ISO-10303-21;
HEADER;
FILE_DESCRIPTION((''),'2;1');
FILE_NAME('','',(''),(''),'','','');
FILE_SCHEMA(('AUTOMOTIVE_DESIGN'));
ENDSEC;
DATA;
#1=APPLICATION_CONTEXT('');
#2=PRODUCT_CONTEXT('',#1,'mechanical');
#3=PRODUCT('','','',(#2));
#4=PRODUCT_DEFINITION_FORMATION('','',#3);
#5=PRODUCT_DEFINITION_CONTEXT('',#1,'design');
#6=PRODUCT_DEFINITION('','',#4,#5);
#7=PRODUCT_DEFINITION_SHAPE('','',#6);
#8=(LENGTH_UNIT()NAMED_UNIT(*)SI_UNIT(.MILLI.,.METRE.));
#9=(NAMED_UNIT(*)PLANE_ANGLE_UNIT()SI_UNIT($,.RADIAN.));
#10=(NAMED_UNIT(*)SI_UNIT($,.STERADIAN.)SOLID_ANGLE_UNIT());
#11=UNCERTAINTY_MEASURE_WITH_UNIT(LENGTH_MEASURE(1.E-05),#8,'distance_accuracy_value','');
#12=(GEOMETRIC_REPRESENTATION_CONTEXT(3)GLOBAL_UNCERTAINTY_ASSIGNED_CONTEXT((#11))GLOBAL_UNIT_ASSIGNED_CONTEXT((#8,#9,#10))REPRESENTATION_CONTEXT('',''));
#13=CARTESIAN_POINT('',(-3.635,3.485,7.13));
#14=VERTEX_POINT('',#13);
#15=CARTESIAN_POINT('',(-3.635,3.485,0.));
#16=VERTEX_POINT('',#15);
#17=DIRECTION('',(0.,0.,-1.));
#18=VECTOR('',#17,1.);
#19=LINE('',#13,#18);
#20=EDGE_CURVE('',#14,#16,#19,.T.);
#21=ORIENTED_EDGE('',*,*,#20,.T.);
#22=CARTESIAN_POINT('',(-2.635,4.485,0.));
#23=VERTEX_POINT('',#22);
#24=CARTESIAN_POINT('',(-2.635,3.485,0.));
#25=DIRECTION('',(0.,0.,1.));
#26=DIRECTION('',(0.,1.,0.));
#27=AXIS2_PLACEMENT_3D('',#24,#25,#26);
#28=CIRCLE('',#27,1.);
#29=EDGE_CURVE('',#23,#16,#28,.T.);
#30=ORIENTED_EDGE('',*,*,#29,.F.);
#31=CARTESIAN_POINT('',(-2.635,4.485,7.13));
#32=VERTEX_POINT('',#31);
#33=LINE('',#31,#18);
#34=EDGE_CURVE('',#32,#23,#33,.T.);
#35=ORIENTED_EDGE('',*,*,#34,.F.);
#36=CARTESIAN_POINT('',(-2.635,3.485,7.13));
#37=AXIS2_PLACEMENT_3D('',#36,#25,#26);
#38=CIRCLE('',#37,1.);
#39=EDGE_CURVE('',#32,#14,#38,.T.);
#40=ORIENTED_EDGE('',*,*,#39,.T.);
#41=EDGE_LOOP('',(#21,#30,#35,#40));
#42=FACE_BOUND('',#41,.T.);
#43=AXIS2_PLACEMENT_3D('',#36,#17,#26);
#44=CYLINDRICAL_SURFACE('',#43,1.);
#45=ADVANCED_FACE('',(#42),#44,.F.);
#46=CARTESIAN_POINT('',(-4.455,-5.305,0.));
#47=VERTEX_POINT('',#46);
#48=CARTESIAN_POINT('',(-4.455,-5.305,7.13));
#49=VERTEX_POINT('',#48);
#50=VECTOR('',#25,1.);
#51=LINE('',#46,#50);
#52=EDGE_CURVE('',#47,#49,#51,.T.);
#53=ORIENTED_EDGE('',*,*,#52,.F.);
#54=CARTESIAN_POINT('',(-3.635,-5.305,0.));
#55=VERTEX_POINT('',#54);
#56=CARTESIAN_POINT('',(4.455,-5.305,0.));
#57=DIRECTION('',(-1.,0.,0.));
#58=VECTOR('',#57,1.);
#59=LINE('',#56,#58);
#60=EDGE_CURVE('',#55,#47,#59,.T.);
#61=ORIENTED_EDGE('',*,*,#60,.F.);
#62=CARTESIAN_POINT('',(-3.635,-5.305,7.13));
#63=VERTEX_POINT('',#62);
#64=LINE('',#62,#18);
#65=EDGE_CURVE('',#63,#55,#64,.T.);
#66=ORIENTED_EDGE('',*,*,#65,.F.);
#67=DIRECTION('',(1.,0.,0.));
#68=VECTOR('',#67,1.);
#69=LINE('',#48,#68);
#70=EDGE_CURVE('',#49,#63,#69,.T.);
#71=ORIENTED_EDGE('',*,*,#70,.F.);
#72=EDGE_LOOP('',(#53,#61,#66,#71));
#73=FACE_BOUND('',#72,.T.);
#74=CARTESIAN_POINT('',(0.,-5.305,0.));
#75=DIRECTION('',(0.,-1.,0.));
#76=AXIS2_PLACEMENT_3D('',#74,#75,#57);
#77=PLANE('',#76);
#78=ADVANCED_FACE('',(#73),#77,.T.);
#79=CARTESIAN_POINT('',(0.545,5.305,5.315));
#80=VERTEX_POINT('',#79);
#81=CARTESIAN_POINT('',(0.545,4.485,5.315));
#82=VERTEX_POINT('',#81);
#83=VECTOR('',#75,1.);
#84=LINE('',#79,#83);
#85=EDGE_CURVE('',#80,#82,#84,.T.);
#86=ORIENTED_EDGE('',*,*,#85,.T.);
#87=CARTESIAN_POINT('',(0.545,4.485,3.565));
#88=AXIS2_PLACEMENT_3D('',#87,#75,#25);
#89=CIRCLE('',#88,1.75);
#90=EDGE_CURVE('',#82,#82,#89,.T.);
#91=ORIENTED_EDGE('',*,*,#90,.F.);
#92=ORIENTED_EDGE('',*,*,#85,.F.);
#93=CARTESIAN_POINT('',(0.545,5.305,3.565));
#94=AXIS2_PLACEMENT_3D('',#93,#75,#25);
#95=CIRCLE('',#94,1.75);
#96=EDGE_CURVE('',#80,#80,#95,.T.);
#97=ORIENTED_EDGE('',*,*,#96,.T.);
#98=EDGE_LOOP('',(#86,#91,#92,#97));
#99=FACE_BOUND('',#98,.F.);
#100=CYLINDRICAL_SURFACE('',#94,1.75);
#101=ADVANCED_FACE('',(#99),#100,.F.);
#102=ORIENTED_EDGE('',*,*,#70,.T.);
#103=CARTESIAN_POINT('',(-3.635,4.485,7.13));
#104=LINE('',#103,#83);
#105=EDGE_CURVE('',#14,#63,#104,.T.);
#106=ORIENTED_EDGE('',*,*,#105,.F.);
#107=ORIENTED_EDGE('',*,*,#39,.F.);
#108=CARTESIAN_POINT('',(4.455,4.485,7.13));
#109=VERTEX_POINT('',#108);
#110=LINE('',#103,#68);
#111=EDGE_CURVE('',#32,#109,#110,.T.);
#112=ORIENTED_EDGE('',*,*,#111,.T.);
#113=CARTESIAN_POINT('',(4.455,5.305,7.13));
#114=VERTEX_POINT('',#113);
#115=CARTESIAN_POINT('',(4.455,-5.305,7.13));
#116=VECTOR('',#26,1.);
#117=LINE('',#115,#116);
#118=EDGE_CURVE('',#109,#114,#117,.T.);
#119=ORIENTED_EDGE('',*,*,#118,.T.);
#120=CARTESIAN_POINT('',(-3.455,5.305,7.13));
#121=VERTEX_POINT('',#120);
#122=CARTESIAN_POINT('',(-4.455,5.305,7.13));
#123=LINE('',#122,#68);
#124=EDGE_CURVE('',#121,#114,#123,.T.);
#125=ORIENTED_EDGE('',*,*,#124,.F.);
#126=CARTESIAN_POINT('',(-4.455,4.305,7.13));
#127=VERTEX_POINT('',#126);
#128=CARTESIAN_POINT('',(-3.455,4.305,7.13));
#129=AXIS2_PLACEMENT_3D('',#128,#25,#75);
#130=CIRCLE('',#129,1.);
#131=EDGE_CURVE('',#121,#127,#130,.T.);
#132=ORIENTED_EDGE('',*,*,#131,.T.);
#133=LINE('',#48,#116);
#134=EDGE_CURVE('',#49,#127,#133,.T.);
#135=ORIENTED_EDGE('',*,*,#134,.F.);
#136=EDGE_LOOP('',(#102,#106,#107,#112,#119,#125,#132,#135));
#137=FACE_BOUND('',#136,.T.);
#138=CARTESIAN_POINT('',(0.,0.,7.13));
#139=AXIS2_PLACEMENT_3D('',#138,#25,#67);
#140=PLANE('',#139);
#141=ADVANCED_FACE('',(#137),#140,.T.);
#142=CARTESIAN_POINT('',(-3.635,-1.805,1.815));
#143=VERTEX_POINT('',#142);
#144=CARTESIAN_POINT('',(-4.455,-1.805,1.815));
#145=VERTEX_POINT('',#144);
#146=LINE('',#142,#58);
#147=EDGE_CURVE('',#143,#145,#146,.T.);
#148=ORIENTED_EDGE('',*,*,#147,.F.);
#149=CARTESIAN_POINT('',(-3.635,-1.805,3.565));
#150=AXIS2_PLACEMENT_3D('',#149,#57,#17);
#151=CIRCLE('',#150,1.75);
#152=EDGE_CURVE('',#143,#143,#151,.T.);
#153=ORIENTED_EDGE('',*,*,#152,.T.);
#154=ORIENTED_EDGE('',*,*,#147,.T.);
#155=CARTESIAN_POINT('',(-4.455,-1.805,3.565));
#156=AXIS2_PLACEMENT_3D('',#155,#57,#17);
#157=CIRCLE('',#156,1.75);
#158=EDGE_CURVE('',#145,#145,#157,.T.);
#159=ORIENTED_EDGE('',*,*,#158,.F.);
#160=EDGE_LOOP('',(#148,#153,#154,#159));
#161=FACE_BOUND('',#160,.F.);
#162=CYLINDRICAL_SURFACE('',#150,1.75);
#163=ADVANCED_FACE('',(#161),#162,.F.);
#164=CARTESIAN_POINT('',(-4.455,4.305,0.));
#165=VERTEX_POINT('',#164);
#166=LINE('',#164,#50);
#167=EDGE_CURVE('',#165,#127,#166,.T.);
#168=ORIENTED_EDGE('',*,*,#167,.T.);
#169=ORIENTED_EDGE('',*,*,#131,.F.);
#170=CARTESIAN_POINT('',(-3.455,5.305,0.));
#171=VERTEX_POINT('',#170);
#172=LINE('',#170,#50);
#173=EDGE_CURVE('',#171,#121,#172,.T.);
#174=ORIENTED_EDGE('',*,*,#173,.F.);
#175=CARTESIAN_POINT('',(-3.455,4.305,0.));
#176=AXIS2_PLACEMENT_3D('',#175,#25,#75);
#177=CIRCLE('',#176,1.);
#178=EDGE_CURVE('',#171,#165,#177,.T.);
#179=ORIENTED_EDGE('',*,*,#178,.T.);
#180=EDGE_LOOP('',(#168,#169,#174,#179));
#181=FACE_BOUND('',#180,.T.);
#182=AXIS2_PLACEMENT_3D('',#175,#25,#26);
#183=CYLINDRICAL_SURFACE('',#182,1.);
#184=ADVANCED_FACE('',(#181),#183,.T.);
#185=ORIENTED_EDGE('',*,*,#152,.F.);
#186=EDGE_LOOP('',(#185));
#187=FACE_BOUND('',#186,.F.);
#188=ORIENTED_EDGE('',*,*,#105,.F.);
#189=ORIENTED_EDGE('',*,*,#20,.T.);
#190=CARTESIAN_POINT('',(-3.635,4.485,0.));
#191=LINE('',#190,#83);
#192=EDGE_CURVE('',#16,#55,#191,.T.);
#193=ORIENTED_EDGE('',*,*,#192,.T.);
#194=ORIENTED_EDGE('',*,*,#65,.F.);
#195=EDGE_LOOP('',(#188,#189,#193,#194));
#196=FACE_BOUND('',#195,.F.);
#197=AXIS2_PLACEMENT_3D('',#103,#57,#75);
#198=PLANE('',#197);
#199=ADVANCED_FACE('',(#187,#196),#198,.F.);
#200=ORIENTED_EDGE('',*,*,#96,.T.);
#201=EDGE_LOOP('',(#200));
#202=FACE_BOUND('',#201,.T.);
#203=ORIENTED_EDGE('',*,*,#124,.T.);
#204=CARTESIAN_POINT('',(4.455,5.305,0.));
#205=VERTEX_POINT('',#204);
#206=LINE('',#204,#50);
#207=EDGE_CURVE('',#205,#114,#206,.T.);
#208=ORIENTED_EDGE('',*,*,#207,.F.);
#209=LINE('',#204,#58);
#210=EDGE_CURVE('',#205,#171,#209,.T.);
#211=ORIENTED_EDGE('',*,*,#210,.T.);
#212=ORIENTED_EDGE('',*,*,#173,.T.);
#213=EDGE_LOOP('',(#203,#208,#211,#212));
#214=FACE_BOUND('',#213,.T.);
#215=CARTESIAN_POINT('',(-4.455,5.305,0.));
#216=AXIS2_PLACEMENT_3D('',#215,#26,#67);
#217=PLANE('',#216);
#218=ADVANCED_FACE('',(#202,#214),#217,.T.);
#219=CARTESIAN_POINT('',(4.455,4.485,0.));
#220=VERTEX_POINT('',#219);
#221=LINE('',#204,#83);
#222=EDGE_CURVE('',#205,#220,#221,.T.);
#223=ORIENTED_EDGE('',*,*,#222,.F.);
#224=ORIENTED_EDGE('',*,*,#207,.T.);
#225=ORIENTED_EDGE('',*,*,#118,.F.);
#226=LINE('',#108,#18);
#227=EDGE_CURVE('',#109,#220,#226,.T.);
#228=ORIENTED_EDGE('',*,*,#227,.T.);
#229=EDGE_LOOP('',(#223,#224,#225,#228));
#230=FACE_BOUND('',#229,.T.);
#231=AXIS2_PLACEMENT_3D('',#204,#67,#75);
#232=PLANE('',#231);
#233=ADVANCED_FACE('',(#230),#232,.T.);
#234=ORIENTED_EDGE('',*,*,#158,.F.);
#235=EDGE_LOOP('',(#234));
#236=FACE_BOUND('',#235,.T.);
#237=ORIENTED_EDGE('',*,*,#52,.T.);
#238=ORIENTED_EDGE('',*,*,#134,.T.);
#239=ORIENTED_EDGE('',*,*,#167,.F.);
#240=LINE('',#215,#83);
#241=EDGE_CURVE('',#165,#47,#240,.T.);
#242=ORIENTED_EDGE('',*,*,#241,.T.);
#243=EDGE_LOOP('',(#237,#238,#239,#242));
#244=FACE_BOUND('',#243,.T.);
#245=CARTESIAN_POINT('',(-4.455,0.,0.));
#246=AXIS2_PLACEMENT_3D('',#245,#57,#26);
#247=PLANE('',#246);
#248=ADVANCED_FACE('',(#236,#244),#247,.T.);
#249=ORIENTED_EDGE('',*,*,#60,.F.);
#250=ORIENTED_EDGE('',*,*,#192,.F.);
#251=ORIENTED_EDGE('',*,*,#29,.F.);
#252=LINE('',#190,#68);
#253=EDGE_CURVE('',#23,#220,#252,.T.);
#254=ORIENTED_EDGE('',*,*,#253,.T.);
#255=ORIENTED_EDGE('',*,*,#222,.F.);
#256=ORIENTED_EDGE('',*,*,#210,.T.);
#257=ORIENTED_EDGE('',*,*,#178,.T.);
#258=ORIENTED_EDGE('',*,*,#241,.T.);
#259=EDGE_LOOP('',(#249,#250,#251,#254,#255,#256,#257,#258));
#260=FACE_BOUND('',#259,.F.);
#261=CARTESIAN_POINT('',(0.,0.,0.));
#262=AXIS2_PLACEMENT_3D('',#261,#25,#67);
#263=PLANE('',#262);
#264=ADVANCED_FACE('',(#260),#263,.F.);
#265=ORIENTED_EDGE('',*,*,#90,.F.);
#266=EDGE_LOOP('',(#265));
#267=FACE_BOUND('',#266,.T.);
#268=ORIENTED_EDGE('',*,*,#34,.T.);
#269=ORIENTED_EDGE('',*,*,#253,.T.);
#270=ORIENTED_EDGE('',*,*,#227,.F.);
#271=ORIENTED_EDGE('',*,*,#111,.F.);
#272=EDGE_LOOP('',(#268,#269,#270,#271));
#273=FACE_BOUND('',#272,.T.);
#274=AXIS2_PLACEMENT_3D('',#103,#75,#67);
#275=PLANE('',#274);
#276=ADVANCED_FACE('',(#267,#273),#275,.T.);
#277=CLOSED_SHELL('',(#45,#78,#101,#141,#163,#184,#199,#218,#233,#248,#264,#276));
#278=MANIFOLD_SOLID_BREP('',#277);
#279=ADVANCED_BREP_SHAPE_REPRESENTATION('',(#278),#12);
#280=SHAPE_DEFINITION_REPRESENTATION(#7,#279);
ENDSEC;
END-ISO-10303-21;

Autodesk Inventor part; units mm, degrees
ref_plane "YZ Plane" through (0, 0, 0) normal (1, 0, 0) x (0, 1, 0)
ref_plane "XZ Plane" through (0, 0, 0) normal (0, 1, 0) x (-1, 0, 0)
ref_plane "XY Plane" through (0, 0, 0) normal (0, 0, 1) x (1, 0, 0)
sketch "Sketch1" plane through (0, 0, 0) normal (0, 0, 1) x (1, 0, 0)
  line L0 (-4.455, 5.305) -> (4.455, 5.305)
  line L1 (4.455, 5.305) -> (4.455, -5.305)
  line L2 (4.455, -5.305) -> (-4.455, -5.305)
  line L3 (-4.455, -5.305) -> (-4.455, 5.305)
  line L4 (-6.237, 0) -> (6.237, 0) projected
  line L5 (0, -7.427) -> (0, 7.427) projected
  point P0 (0, 0)
  dimension "d0" = 8.91
  dimension "d1" = 10.61
  dimension "d2" = 4.455
  dimension "d3" = 5.305
extrude "BraketBase" add sketch "Sketch1" along normal blind 7.13
sketch "Sketch2" plane through (0, 0, 7.13) normal (0, 0, 1) x (1, 0, 0)
  line L0 (4.455, 5.305) -> (-4.455, 5.305) projected
  line L1 (-4.455, 5.305) -> (-4.455, -5.305) projected
  line L2 (-4.455, -5.305) -> (4.455, -5.305) projected
  line L3 (4.455, -5.305) -> (4.455, 5.305) projected
  line L4 (-3.635, 4.485) -> (4.455, 4.485)
  line L5 (-3.635, 4.485) -> (-3.635, -5.305)
  line L6 (-4.455, -5.305) -> (4.455, -5.305) projected
  line L7 (-3.635, 4.485) -> (4.455, 4.485)
  line L8 (4.455, 4.485) -> (4.455, -5.305)
  line L9 (4.455, -5.305) -> (-3.635, -5.305)
  line L10 (-3.635, -5.305) -> (-3.635, 4.485)
  point P0 (0, 0)
  dimension "d6" = 0.82
  dimension "d7" = 0.82
extrude "BraketCut" cut sketch "Sketch2" against normal blind 7.13 contours L3 L2 L5 L4
sketch "Sketch3" plane through (-4.455, 5.305, 0) normal (0, 1, 0) x (1, 0, 0)
  line L0 (0, 0) -> (8.91, 0) projected
  line L1 (0, 0) -> (0, -7.13) projected
  line L2 (8.91, -7.13) -> (0, -7.13) projected
  line L3 (8.91, 0) -> (8.91, -7.13) projected
  circle A0 centre (5, -3.565) radius 1.75
  point P0 (4.455, 0)
  dimension "d10" = 3.5
  dimension "d11" = 5
  dimension "d12" = 3.565
hole "ShortHole" at (0.545, 5.305, 3.565) direction (0, -1, 0) diameter 3.5 end through all
sketch "Sketch4" plane through (-3.635, -5.305, 7.13) normal (1, 0, 0) x (0, 0, -1)
  line L0 (0, 0) -> (0, 9.79) projected
  line L1 (7.13, 0) -> (0, 0) projected
  line L2 (7.13, 9.79) -> (7.13, 0) projected
  line L3 (0, 9.79) -> (7.13, 9.79) projected
  circle A0 centre (3.565, 3.5) radius 1.75
  point P0 (7.13, 5.305)
  dimension "d20" = 3.5
  dimension "d21" = 3.5
  dimension "d22" = 3.565
hole "LongHole" at (-3.635, -1.805, 3.565) direction (-1, 0, 0) diameter 3.5 end through all
fillet "Fillet1" radius 1 2 edges at (-4.455, 5.305, 3.565) (-3.635, 4.485, 3.565)
equation "\"d2\" = 0.5 * d0"
equation "\"d3\" = 0.5 * d1"
equation "\"d7\" = d6"
properties part number "LBracket"
